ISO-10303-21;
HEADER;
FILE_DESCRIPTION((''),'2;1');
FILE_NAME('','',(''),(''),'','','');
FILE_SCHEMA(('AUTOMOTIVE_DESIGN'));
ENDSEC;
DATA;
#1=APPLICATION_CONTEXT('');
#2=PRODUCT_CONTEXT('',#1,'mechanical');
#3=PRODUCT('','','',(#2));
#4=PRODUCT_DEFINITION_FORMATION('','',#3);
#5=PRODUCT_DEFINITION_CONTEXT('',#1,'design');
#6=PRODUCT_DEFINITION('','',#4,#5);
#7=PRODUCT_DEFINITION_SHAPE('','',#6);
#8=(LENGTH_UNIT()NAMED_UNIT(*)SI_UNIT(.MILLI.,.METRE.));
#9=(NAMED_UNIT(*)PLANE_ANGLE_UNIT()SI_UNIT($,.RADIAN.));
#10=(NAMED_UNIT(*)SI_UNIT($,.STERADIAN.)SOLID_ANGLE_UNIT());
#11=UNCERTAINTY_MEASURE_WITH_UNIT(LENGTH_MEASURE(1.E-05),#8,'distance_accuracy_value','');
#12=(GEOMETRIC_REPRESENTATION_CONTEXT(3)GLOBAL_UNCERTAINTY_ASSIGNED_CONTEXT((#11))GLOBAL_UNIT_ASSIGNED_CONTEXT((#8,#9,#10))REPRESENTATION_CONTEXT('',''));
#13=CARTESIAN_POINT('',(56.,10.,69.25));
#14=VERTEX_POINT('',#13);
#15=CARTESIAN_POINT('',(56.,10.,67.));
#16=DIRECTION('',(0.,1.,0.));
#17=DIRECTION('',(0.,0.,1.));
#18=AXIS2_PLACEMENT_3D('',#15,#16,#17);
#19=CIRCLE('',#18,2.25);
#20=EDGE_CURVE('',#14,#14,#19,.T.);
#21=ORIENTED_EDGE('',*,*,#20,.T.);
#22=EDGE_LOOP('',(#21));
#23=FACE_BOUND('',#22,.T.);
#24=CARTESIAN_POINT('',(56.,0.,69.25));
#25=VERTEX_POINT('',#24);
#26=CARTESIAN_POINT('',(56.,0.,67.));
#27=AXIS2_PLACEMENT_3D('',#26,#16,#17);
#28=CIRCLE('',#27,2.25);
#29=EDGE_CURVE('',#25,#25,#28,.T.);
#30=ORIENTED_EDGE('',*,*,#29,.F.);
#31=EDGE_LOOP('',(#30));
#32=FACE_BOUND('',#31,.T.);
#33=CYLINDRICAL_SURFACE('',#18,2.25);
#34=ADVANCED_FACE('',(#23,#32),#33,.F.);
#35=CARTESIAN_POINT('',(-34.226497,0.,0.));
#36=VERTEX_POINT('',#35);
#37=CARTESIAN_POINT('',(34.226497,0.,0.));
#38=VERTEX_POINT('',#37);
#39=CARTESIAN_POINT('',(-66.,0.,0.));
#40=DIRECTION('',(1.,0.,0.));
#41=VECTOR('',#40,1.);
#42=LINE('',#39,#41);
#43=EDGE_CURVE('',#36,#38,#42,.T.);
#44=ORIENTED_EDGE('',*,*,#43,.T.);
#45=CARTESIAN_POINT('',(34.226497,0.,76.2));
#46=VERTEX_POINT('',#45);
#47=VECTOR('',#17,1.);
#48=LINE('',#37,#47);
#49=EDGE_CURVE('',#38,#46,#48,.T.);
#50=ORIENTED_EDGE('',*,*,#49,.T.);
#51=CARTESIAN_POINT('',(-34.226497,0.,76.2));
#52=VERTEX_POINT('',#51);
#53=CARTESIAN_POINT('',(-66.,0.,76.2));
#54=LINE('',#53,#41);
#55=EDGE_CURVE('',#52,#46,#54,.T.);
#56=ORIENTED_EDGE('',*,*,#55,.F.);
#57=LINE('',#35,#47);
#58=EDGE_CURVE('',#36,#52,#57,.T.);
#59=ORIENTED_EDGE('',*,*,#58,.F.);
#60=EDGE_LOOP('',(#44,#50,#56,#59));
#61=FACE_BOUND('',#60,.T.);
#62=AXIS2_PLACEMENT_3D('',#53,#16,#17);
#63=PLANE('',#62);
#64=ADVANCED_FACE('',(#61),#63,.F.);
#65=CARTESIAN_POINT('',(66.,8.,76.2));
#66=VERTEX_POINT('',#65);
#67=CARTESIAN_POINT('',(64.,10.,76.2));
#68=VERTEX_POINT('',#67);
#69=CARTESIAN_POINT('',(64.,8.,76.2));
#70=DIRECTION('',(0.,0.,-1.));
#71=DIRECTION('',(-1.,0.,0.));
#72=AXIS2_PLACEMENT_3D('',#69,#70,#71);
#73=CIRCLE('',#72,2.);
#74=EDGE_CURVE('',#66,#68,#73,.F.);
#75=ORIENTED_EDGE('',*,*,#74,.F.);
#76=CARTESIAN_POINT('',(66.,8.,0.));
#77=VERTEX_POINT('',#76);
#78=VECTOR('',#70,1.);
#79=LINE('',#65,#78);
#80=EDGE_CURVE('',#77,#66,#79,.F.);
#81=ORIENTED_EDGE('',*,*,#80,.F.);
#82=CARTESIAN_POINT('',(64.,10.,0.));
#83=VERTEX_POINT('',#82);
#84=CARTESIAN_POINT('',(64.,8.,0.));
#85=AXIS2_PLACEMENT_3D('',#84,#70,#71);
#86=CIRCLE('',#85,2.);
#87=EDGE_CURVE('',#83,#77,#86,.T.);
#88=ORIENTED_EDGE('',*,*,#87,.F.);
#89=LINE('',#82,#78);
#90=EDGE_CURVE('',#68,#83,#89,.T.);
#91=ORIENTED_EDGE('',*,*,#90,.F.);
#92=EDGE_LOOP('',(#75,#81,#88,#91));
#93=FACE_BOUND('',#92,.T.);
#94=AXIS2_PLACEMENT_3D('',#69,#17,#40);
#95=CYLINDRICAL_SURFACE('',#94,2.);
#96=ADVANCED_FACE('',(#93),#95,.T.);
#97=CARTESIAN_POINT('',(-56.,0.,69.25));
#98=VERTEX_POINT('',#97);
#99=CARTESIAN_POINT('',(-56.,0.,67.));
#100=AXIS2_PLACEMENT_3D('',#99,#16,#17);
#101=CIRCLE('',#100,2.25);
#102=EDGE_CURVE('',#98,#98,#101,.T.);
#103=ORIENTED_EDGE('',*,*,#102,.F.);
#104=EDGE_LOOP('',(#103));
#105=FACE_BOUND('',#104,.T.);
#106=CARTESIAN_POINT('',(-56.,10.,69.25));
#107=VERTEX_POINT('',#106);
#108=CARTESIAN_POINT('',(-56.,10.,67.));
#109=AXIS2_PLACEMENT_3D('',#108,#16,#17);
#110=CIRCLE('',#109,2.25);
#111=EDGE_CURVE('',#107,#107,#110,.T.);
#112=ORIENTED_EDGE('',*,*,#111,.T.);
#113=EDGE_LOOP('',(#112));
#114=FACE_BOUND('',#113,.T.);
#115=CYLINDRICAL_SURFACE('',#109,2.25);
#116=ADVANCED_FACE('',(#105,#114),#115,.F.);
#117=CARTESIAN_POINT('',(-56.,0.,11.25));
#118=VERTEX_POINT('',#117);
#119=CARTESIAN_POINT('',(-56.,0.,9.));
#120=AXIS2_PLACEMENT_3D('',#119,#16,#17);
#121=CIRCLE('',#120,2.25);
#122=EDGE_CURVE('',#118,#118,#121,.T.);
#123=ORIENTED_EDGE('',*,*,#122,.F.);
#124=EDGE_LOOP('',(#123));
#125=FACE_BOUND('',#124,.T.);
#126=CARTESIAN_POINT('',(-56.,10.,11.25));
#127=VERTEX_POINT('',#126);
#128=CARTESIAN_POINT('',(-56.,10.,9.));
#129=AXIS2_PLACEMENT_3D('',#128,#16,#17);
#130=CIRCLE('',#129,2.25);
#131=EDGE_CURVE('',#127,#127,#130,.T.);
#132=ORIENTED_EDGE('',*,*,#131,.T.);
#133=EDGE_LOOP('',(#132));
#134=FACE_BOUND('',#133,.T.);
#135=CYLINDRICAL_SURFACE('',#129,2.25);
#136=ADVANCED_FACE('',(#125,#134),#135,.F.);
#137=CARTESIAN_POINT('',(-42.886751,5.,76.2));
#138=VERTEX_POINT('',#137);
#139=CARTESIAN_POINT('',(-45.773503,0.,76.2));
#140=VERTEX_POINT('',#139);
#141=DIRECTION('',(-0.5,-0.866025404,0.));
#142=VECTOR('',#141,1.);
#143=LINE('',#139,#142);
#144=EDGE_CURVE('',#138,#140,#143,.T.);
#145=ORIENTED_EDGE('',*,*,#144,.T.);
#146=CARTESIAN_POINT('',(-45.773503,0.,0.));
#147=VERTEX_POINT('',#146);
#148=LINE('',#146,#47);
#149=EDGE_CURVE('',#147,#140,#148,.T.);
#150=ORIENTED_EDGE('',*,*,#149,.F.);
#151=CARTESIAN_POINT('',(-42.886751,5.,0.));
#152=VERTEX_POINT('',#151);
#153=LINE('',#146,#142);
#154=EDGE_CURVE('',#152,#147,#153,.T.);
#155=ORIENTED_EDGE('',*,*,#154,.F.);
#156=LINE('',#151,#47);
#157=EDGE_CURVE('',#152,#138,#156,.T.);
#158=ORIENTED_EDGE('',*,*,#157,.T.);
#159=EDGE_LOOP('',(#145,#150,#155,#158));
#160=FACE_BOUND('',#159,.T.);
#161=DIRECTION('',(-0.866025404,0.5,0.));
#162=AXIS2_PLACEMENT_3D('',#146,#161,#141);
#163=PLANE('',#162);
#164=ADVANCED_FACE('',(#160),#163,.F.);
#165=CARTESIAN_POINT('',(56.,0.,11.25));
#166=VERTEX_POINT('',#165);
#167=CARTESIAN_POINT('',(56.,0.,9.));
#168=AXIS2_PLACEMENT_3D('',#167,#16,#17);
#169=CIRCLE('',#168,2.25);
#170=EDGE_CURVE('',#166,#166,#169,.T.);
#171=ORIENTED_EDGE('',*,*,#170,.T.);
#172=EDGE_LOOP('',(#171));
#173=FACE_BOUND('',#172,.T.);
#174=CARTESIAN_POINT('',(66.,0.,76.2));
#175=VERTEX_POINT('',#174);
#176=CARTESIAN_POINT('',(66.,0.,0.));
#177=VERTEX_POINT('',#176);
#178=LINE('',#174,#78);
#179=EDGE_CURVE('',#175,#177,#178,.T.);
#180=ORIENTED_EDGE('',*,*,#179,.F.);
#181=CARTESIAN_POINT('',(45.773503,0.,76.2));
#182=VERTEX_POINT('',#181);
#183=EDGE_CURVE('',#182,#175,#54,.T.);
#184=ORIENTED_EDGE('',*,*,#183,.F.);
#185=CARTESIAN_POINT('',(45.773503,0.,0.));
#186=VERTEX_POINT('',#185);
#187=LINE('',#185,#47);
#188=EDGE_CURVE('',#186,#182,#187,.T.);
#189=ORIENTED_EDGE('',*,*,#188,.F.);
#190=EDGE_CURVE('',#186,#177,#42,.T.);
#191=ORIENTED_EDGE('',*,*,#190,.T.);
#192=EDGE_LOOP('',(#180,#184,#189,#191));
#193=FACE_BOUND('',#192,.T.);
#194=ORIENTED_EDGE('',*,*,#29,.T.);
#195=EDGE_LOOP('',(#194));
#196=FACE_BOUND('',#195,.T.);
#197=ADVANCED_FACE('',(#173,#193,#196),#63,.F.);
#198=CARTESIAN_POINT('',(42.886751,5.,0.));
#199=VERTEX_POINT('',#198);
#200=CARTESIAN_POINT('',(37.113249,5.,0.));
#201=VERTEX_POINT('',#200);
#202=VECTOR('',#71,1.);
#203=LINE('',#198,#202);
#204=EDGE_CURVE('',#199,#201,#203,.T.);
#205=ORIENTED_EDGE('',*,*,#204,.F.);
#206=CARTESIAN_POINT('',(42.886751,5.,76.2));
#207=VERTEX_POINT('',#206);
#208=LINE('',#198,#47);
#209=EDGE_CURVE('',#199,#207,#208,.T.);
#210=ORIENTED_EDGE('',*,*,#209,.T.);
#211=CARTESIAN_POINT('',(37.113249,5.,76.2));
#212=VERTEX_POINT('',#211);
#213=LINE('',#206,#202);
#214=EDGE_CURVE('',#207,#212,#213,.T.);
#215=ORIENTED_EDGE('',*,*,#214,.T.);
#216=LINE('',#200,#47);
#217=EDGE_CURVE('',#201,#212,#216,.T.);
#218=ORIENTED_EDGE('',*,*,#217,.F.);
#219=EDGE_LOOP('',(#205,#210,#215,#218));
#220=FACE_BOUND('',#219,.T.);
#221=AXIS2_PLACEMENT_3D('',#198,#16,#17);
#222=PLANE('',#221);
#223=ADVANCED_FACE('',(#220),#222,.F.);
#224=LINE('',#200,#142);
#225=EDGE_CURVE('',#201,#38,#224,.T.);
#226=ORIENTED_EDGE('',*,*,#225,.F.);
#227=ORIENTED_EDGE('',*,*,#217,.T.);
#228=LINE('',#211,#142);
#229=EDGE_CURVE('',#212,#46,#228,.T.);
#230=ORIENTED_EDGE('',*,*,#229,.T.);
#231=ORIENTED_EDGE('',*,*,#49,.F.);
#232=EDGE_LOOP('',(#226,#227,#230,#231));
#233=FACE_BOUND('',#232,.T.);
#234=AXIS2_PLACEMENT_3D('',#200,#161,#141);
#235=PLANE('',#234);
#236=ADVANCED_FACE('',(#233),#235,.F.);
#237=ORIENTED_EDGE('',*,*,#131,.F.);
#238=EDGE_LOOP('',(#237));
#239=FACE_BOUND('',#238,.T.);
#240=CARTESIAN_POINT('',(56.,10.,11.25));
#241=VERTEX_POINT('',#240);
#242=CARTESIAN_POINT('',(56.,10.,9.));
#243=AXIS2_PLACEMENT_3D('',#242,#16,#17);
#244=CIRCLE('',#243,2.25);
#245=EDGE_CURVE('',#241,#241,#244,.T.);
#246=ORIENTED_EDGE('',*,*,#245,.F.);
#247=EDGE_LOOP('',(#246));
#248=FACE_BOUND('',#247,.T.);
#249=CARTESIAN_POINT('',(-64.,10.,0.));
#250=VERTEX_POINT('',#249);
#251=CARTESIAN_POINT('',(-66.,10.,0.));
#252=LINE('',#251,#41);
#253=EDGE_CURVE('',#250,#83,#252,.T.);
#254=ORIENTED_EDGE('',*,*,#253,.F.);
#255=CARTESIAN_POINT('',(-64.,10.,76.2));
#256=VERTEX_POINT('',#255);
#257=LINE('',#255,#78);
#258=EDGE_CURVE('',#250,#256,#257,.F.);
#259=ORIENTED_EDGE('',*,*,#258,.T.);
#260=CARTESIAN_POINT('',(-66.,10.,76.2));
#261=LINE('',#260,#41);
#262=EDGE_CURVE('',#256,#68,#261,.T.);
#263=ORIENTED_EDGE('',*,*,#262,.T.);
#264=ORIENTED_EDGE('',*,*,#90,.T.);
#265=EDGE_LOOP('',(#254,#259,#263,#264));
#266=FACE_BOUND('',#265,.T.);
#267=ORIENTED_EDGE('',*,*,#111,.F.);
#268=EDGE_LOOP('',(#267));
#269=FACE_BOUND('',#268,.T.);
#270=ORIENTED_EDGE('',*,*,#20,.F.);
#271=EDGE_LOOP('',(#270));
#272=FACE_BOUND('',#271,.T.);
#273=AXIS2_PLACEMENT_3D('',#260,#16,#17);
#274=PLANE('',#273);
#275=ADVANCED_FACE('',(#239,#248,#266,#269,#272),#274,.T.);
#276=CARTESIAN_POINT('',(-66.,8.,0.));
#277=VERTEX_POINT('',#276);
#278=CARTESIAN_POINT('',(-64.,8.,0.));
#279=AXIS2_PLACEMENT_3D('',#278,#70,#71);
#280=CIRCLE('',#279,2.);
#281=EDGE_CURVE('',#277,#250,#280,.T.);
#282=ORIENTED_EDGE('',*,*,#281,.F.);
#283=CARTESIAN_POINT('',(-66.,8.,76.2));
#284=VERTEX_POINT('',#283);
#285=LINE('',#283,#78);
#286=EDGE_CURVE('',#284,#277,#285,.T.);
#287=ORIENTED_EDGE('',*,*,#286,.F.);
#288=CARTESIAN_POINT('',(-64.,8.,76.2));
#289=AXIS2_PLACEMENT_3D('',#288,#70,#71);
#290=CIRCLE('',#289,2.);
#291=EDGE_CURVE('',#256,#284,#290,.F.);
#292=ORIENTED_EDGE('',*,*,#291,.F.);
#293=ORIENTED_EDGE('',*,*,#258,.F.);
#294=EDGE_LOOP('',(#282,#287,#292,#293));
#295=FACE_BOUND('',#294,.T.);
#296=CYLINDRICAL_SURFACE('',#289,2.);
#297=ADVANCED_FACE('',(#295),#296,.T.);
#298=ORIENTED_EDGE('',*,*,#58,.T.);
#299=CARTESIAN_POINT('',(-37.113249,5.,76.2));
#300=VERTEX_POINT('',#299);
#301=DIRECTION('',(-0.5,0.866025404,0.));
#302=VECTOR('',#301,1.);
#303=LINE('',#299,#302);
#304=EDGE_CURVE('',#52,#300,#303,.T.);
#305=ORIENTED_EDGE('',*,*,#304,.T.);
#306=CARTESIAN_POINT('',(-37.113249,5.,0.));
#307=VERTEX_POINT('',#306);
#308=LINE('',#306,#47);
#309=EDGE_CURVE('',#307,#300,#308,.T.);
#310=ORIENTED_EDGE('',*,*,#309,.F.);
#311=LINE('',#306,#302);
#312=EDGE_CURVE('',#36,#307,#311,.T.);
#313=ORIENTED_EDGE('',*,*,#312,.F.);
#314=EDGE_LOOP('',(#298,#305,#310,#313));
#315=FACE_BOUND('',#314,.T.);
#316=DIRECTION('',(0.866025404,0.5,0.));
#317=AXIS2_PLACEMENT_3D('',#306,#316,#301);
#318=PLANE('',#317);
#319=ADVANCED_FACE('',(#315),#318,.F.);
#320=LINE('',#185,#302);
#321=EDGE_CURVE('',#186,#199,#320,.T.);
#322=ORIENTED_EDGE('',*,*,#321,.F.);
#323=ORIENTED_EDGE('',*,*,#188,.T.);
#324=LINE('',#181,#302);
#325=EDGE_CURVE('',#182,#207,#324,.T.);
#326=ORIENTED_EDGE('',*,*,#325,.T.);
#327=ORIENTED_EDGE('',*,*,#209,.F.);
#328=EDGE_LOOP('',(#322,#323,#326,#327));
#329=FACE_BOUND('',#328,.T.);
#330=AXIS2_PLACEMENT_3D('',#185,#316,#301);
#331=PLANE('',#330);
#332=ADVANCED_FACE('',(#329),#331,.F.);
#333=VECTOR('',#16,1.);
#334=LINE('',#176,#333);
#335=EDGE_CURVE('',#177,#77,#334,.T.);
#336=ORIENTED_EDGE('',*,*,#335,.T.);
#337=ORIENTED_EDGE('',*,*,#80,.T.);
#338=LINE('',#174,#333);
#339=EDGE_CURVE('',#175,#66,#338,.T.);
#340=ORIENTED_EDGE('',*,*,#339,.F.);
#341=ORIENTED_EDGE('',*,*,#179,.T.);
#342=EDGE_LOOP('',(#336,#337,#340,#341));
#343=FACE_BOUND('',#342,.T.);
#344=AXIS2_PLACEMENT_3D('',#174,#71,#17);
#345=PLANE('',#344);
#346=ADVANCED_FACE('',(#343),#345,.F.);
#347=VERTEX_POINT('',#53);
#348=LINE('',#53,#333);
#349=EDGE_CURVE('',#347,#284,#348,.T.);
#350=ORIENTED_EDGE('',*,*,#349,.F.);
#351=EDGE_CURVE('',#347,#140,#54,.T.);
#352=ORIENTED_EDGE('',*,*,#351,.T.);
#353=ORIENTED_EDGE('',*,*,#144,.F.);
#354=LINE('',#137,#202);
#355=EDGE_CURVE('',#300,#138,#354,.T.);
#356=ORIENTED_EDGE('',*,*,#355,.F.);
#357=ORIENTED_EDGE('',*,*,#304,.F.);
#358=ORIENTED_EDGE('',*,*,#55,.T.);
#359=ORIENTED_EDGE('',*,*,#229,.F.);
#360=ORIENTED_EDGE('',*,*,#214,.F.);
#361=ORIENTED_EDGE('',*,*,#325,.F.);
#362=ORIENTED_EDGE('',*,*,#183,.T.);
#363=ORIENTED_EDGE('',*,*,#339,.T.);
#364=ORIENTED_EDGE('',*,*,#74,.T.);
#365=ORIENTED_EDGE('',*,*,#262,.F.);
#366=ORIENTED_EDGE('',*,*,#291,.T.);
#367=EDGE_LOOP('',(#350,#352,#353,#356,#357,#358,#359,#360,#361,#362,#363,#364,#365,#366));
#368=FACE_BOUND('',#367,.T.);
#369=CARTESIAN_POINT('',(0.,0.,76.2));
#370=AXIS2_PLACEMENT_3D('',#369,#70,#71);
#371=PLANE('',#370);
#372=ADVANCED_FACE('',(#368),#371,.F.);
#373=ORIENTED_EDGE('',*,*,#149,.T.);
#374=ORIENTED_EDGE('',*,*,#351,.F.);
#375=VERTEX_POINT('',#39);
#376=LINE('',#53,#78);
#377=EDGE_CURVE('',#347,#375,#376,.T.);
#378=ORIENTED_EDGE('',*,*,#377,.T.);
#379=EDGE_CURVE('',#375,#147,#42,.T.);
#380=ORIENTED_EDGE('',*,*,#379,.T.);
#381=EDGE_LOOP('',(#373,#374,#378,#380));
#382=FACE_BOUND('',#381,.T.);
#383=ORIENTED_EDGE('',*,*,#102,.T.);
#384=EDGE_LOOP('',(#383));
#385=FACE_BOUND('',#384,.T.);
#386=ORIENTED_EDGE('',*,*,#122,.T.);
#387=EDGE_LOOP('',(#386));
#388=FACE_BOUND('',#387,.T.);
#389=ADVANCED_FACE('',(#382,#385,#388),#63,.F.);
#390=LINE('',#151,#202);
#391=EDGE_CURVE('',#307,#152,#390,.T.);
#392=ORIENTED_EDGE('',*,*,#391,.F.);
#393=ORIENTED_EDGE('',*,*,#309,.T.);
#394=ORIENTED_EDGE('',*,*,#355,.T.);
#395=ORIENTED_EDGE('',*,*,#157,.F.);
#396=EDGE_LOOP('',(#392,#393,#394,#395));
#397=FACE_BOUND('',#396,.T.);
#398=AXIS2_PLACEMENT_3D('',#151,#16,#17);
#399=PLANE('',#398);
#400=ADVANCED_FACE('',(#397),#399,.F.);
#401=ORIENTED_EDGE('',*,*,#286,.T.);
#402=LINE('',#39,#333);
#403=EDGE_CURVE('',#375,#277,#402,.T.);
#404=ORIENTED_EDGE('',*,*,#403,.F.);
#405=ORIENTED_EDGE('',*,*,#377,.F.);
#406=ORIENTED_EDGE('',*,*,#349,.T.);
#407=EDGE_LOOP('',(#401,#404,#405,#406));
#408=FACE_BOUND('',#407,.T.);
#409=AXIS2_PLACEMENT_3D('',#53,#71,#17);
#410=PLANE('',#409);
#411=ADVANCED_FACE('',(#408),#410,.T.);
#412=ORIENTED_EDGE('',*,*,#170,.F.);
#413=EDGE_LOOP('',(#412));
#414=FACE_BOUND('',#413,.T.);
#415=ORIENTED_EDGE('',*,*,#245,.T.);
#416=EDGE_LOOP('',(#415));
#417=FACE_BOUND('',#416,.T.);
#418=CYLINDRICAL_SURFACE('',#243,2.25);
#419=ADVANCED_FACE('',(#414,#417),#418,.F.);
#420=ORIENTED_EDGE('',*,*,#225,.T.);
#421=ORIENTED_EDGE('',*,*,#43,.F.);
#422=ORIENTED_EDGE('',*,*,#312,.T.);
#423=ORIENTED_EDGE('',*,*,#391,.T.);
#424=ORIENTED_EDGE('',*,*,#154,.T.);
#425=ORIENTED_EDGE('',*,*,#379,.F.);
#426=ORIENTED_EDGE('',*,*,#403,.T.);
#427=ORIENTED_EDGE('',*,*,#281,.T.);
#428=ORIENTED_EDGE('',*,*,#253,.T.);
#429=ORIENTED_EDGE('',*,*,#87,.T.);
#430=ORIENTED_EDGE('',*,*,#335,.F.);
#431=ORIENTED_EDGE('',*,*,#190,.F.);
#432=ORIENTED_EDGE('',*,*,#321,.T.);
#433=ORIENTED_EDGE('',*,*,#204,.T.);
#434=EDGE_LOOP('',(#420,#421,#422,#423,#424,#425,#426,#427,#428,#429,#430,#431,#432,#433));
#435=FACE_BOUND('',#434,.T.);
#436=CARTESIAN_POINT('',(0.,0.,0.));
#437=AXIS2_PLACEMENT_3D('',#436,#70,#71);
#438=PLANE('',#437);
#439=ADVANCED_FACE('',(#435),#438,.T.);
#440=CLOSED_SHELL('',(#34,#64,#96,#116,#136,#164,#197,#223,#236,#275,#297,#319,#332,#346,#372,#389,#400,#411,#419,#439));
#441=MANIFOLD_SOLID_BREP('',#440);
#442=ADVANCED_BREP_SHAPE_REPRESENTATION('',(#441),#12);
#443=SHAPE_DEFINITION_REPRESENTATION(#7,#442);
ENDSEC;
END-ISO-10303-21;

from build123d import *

# Parameters (mm, degrees)
SKETCH1_W            = 132
SKETCH1_H            = 10
BOSS_EXTRUDE1_DEPTH  = 76.2
CUT_EXTRUDE1_DEPTH   = 76.2
FILLET2_R            = 2
M4_CLEARANCE_HOLE1_D = 4.5


with BuildPart() as part:
    # Sketch1 → Boss-Extrude1 (new body)
    with BuildSketch(Plane.XY):
        with Locations((0, 5)):
            Rectangle(SKETCH1_W, SKETCH1_H)
    extrude(amount=BOSS_EXTRUDE1_DEPTH)

    # Sketch2 → Cut-Extrude1 (cut)
    with BuildSketch(Plane.XY.offset(76.2)):
        Polygon((34.226497308, 0), (37.113248654, -5), (42.886751346, -5), (45.773502692, 0), (42.886751346, 5), (37.113248654, 5), align=None)
        Polygon((-37.113248654, 5), (-34.226497308, 0), (-37.113248654, -5), (-42.886751346, -5), (-45.773502692, 0), (-42.886751346, 5), align=None)
    extrude(amount=-CUT_EXTRUDE1_DEPTH, mode=Mode.SUBTRACT)

    # Fillet2
    fillet2_edges = [part.edges().sort_by_distance(p)[0] for p in [
        (66, 10, 38.1),
        (-66, 10, 38.1),
    ]]
    fillet(fillet2_edges, radius=FILLET2_R)

    # M4 Clearance Hole1 (through all)
    with Locations(Plane(origin=(0, 10, 0), x_dir=(1, 0, 0), z_dir=(0, 1, 0))):
        with Locations((-56, -67), (-56, -9), (56, -9), (56, -67)):
            Hole(M4_CLEARANCE_HOLE1_D / 2)


solid = part.part
